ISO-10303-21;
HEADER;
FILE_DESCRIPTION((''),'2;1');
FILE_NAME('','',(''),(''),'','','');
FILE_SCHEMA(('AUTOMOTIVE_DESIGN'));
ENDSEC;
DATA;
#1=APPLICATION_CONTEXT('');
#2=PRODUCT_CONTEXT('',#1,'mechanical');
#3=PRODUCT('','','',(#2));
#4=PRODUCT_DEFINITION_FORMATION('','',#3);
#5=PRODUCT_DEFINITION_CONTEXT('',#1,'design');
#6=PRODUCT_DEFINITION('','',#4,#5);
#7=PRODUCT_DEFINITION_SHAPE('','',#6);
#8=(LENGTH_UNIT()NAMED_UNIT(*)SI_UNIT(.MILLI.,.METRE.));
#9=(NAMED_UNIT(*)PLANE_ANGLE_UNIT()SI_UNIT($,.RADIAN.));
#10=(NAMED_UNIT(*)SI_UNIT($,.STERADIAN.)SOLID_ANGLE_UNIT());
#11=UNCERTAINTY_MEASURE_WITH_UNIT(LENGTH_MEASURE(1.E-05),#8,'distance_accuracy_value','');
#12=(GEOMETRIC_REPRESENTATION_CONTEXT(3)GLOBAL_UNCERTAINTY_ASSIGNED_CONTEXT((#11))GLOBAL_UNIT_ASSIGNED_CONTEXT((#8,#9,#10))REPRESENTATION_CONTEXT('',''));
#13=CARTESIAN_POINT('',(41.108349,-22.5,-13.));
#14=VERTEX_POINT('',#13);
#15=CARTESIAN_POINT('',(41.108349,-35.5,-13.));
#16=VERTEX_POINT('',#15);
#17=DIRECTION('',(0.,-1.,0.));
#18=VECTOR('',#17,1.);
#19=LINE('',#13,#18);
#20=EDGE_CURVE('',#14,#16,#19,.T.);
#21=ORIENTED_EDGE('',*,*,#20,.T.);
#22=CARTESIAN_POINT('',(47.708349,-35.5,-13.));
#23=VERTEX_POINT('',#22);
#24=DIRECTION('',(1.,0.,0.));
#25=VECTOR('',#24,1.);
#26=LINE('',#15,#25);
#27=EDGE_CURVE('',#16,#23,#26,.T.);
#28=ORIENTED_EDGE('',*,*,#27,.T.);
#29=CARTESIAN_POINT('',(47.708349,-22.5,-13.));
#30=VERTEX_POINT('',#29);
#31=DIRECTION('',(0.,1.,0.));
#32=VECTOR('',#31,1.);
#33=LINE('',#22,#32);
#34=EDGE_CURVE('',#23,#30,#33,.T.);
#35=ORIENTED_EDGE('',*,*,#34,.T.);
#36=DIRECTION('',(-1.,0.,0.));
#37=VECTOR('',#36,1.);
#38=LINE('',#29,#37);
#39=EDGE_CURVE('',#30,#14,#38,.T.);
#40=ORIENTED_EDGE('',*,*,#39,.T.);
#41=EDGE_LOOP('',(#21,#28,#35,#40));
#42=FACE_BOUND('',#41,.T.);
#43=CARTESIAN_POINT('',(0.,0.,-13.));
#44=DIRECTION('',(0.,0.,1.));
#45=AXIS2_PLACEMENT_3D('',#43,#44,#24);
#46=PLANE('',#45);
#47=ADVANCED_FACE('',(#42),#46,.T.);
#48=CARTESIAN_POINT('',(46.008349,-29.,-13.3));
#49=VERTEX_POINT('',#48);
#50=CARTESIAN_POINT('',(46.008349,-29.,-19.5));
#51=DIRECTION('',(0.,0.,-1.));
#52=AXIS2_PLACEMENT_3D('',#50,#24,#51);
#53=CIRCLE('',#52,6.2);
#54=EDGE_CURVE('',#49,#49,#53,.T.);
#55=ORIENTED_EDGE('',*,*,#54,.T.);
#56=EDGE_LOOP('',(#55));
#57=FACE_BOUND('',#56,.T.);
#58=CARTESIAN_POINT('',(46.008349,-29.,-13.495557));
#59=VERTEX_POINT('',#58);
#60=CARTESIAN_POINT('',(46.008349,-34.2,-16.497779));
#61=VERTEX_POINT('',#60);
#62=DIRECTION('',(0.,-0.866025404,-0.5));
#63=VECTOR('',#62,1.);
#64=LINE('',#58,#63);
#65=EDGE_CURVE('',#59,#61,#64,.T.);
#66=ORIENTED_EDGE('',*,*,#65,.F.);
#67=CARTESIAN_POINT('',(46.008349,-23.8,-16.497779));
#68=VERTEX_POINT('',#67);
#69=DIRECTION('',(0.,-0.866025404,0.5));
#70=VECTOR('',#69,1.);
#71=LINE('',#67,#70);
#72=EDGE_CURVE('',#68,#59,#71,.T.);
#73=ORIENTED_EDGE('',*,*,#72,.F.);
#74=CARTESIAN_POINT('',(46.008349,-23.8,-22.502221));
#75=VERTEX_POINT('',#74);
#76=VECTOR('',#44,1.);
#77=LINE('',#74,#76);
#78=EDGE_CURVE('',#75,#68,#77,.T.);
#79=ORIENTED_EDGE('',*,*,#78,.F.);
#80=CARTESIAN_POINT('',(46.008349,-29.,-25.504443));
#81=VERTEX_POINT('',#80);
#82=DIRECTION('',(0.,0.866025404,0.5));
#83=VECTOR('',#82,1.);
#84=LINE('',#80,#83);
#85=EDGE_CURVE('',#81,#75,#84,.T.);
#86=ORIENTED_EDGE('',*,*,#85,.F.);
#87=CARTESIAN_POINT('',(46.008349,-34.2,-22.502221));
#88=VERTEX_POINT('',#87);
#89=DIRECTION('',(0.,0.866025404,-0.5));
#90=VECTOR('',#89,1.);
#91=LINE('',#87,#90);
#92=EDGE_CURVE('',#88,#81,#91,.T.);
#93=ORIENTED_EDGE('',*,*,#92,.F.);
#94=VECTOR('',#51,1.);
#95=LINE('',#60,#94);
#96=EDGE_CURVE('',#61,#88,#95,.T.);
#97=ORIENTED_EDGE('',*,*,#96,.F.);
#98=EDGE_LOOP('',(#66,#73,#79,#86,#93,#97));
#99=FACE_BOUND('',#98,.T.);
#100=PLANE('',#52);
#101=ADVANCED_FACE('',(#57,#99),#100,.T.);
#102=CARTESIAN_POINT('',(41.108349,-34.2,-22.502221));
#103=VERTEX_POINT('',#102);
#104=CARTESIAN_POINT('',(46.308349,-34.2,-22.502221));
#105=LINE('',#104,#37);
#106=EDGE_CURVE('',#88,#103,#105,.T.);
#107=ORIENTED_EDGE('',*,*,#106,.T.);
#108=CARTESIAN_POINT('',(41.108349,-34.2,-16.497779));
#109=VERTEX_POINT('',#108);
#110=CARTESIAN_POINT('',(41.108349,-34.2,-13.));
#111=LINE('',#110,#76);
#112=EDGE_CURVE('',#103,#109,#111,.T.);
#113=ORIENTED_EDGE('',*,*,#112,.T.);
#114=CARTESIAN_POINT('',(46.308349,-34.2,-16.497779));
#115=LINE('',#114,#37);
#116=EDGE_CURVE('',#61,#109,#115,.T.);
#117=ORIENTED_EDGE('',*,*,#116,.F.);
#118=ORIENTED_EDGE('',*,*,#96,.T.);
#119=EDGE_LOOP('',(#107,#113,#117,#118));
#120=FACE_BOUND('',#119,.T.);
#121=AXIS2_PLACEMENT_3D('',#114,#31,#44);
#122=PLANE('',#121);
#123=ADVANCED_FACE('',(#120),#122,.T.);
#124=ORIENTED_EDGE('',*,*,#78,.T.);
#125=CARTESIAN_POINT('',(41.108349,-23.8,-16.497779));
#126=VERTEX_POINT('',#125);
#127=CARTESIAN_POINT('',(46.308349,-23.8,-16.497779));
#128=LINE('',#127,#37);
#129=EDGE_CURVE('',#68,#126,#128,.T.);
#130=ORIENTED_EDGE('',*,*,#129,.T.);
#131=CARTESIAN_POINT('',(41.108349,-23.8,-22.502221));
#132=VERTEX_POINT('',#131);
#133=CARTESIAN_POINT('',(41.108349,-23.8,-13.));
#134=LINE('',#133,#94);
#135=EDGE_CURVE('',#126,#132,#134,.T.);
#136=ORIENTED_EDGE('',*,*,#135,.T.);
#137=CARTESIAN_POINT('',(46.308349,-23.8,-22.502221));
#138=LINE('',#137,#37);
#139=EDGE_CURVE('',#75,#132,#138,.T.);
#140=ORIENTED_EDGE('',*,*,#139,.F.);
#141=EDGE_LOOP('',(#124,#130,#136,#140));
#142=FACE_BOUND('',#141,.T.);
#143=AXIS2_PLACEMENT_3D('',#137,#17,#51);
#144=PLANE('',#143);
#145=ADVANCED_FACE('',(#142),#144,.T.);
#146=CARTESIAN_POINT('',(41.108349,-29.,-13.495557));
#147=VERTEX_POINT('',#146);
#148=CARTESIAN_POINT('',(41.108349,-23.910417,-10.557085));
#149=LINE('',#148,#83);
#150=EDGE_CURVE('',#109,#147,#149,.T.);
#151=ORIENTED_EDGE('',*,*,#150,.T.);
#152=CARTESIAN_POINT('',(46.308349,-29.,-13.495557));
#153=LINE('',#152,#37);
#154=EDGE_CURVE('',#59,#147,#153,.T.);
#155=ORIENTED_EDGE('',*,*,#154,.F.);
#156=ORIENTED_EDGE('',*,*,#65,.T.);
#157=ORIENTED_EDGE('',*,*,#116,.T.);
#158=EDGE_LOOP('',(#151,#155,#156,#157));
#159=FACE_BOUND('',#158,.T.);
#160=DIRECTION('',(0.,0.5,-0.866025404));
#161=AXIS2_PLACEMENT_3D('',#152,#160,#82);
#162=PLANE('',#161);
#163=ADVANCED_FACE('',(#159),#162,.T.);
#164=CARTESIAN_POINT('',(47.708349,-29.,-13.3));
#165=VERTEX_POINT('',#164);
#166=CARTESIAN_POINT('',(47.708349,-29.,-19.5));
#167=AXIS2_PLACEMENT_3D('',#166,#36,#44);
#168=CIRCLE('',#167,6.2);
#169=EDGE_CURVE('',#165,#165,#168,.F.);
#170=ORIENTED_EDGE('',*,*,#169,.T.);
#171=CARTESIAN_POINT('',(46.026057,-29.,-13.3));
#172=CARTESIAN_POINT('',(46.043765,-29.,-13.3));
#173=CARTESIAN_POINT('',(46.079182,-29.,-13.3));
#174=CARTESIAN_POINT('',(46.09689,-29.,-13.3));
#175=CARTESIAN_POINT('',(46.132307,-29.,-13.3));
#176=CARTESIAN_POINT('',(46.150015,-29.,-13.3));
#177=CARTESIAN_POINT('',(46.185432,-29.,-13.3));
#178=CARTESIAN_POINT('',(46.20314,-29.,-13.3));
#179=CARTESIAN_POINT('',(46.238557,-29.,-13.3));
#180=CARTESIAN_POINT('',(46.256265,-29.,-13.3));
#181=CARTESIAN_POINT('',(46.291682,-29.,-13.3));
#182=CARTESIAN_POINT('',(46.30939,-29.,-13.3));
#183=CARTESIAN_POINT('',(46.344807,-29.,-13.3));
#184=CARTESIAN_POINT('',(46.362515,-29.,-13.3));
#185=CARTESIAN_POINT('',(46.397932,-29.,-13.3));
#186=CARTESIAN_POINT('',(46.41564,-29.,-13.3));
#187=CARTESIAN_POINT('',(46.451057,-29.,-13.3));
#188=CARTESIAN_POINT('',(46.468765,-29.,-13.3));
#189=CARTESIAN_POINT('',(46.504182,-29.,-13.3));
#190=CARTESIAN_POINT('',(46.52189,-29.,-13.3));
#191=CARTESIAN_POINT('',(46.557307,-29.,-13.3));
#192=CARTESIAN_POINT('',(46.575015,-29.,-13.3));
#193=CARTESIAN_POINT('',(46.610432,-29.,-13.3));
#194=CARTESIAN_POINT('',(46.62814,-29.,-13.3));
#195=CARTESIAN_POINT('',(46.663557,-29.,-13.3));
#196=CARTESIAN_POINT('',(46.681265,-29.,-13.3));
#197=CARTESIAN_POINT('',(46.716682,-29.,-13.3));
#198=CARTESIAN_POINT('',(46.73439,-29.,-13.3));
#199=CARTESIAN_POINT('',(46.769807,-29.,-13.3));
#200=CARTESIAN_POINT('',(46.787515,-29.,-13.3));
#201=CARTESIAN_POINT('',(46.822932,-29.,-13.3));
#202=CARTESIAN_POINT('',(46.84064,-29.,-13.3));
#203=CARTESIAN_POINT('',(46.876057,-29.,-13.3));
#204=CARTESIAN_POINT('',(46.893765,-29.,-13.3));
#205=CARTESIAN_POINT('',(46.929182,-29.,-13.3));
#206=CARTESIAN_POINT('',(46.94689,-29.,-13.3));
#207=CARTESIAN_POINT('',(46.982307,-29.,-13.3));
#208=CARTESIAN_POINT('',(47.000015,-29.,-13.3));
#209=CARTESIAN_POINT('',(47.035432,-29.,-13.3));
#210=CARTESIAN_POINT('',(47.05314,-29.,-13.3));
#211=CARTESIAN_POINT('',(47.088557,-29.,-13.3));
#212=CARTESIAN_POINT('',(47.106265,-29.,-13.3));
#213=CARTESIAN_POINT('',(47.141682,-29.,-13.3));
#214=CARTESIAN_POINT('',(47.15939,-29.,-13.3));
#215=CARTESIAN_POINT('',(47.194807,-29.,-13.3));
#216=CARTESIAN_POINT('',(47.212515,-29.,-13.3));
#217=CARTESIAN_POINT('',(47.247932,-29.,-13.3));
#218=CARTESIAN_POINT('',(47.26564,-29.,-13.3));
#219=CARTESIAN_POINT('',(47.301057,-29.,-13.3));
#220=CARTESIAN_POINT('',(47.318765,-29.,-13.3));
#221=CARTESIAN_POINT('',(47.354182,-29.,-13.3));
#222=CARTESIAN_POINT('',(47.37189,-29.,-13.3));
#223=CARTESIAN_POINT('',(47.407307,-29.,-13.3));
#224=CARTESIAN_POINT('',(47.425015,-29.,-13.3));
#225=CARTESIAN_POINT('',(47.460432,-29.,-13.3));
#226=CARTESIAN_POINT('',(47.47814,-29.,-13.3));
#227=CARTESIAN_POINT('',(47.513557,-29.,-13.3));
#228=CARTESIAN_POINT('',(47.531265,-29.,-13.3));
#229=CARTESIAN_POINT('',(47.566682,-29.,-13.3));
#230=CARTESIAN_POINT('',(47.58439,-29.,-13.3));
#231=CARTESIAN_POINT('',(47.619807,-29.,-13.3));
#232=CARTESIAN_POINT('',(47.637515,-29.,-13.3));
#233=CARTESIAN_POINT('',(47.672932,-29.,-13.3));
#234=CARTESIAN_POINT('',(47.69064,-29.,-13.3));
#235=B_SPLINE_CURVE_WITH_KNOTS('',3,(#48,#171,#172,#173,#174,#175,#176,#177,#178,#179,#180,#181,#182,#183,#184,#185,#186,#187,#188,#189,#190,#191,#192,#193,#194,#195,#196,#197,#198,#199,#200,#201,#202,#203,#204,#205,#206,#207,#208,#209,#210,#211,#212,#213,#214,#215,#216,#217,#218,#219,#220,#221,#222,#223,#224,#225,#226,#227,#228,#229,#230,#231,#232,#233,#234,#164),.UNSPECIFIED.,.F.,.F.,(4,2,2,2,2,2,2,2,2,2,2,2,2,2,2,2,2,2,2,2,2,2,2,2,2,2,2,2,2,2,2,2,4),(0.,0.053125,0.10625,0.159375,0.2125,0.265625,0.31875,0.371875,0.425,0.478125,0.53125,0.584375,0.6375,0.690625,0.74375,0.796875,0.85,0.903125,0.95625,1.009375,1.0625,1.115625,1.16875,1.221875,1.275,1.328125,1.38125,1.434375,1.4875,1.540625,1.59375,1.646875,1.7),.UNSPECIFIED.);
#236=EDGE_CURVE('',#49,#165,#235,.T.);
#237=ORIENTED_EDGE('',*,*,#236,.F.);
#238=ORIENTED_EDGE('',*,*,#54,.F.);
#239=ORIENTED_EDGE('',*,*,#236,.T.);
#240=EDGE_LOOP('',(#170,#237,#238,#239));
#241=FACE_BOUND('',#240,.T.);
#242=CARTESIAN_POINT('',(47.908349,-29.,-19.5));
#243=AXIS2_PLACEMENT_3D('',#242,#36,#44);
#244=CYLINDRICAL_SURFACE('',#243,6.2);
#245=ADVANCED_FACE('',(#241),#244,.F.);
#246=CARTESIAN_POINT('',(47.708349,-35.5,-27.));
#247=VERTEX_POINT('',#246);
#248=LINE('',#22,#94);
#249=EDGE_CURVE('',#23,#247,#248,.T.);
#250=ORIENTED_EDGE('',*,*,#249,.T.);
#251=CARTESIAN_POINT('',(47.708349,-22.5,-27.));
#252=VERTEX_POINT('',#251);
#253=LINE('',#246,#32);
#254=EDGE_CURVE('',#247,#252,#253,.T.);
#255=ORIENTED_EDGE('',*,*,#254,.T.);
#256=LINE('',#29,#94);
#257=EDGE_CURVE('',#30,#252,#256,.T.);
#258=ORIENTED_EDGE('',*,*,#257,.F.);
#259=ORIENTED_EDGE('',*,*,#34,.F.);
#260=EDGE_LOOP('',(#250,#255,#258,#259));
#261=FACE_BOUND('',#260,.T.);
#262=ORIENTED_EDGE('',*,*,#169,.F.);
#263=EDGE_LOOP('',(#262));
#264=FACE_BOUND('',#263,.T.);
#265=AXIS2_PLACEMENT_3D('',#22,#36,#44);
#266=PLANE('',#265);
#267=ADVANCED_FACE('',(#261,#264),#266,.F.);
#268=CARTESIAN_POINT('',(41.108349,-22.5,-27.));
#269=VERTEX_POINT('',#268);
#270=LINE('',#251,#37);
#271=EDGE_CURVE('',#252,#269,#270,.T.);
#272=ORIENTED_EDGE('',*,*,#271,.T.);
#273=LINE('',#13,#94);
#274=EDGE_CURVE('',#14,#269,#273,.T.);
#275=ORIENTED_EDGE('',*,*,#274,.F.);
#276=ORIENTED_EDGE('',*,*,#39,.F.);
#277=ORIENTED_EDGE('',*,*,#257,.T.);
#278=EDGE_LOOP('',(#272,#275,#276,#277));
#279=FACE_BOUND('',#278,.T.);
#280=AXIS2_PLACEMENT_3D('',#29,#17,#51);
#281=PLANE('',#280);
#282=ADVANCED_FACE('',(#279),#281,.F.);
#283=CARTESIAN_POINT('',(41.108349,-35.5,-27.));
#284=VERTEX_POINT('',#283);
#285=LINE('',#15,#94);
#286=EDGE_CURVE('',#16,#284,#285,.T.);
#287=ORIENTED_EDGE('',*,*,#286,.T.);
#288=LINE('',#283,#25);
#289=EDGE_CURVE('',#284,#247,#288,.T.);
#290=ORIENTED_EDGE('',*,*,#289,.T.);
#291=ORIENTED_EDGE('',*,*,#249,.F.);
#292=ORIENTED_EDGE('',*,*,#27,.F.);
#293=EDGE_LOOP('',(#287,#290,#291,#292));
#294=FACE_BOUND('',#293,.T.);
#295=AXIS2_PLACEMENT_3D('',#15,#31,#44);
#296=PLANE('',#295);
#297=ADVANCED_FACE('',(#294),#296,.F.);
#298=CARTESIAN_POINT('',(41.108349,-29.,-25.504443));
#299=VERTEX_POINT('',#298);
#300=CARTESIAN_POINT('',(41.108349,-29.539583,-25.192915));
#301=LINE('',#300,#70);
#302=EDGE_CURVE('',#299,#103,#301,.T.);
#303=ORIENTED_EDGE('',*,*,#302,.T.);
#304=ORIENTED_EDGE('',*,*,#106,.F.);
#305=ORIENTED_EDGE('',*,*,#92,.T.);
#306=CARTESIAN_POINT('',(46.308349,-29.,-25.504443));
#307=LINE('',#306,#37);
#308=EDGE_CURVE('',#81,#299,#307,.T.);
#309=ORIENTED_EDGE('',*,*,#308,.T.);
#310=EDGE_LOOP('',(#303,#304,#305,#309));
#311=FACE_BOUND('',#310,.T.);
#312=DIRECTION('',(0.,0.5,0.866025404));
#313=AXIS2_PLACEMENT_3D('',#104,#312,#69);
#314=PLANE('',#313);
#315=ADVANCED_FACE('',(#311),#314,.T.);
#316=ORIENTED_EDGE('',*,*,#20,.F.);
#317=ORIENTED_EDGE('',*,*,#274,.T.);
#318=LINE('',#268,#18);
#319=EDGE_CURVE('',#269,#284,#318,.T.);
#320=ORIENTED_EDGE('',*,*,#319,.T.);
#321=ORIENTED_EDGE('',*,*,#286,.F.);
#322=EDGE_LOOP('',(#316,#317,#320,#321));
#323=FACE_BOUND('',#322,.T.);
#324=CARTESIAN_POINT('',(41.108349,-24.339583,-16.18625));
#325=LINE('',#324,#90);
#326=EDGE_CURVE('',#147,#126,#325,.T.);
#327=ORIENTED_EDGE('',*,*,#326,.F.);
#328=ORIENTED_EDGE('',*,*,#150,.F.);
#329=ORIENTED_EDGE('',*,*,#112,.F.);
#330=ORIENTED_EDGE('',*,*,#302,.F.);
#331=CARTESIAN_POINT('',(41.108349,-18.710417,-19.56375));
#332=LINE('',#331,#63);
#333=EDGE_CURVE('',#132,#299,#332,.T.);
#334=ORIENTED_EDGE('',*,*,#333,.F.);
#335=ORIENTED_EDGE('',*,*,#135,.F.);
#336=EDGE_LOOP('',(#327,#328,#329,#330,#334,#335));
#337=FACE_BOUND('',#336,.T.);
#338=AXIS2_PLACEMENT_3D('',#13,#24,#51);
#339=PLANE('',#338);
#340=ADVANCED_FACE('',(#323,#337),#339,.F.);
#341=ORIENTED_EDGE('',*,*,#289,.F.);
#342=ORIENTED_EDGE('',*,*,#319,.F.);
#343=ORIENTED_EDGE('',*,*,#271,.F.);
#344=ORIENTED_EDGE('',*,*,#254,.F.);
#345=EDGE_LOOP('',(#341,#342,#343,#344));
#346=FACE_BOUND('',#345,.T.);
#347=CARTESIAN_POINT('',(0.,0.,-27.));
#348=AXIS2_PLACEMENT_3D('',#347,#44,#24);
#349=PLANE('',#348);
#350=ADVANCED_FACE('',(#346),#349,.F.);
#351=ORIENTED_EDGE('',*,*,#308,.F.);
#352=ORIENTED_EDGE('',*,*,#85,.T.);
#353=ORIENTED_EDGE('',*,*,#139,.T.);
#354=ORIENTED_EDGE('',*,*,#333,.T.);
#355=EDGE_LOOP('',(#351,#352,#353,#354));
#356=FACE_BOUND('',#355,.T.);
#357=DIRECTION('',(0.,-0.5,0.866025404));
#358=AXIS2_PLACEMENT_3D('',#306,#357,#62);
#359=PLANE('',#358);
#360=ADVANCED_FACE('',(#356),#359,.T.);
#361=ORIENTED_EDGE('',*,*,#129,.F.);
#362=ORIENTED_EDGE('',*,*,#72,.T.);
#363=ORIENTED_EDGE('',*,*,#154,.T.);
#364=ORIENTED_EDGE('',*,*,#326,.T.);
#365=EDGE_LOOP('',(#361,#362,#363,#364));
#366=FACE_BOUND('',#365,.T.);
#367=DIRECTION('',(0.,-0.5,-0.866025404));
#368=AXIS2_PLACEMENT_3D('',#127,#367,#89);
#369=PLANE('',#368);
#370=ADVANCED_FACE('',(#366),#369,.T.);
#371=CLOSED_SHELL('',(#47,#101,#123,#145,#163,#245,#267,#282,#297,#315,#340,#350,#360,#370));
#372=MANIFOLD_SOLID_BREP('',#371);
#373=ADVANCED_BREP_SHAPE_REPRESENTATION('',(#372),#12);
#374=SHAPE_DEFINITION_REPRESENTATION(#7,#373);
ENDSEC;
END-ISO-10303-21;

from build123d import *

# Parameters (mm, degrees)
NUT_CLIP_BLANK_SKETCH_W     = 6.6
NUT_CLIP_BLANK_SKETCH_H     = 13
NUT_CLIP_BLANK_DEPTH        = 14
M6_NUT_CLEARANCE_DEPTH      = 5.3
LOAD_WASHER_RELIEF_SKETCH_R = 6.2
LOAD_WASHER_RELIEF_DEPTH    = 1.9


with BuildPart() as part:
    # Nut clip blank sketch → Nut clip blank (new body)
    with BuildSketch(Plane.XY.offset(-27)):
        with Locations((44.408348754, -29)):
            Rectangle(NUT_CLIP_BLANK_SKETCH_W, NUT_CLIP_BLANK_SKETCH_H)
    extrude(amount=NUT_CLIP_BLANK_DEPTH)

    # M6 nut clearance sketch → M6 nut clearance (cut)
    with BuildSketch(Plane(origin=(41.008348754, 0, 0), x_dir=(0, 0, -1), z_dir=(1, 0, 0))):
        Polygon((16.4977786, -23.8), (13.4955572, -29), (16.4977786, -34.2), (22.5022214, -34.2), (25.5044428, -29), (22.5022214, -23.8), align=None)
    extrude(amount=M6_NUT_CLEARANCE_DEPTH, mode=Mode.SUBTRACT)

    # Load washer relief sketch → Load washer relief (cut)
    with BuildSketch(Plane(origin=(46.008348754, 0, 0), x_dir=(0, 0, -1), z_dir=(1, 0, 0))):
        with Locations(Location((19.5, -29, 0), (0, 0, 180))):
            Circle(LOAD_WASHER_RELIEF_SKETCH_R)
    extrude(amount=LOAD_WASHER_RELIEF_DEPTH, mode=Mode.SUBTRACT)


solid = part.part
